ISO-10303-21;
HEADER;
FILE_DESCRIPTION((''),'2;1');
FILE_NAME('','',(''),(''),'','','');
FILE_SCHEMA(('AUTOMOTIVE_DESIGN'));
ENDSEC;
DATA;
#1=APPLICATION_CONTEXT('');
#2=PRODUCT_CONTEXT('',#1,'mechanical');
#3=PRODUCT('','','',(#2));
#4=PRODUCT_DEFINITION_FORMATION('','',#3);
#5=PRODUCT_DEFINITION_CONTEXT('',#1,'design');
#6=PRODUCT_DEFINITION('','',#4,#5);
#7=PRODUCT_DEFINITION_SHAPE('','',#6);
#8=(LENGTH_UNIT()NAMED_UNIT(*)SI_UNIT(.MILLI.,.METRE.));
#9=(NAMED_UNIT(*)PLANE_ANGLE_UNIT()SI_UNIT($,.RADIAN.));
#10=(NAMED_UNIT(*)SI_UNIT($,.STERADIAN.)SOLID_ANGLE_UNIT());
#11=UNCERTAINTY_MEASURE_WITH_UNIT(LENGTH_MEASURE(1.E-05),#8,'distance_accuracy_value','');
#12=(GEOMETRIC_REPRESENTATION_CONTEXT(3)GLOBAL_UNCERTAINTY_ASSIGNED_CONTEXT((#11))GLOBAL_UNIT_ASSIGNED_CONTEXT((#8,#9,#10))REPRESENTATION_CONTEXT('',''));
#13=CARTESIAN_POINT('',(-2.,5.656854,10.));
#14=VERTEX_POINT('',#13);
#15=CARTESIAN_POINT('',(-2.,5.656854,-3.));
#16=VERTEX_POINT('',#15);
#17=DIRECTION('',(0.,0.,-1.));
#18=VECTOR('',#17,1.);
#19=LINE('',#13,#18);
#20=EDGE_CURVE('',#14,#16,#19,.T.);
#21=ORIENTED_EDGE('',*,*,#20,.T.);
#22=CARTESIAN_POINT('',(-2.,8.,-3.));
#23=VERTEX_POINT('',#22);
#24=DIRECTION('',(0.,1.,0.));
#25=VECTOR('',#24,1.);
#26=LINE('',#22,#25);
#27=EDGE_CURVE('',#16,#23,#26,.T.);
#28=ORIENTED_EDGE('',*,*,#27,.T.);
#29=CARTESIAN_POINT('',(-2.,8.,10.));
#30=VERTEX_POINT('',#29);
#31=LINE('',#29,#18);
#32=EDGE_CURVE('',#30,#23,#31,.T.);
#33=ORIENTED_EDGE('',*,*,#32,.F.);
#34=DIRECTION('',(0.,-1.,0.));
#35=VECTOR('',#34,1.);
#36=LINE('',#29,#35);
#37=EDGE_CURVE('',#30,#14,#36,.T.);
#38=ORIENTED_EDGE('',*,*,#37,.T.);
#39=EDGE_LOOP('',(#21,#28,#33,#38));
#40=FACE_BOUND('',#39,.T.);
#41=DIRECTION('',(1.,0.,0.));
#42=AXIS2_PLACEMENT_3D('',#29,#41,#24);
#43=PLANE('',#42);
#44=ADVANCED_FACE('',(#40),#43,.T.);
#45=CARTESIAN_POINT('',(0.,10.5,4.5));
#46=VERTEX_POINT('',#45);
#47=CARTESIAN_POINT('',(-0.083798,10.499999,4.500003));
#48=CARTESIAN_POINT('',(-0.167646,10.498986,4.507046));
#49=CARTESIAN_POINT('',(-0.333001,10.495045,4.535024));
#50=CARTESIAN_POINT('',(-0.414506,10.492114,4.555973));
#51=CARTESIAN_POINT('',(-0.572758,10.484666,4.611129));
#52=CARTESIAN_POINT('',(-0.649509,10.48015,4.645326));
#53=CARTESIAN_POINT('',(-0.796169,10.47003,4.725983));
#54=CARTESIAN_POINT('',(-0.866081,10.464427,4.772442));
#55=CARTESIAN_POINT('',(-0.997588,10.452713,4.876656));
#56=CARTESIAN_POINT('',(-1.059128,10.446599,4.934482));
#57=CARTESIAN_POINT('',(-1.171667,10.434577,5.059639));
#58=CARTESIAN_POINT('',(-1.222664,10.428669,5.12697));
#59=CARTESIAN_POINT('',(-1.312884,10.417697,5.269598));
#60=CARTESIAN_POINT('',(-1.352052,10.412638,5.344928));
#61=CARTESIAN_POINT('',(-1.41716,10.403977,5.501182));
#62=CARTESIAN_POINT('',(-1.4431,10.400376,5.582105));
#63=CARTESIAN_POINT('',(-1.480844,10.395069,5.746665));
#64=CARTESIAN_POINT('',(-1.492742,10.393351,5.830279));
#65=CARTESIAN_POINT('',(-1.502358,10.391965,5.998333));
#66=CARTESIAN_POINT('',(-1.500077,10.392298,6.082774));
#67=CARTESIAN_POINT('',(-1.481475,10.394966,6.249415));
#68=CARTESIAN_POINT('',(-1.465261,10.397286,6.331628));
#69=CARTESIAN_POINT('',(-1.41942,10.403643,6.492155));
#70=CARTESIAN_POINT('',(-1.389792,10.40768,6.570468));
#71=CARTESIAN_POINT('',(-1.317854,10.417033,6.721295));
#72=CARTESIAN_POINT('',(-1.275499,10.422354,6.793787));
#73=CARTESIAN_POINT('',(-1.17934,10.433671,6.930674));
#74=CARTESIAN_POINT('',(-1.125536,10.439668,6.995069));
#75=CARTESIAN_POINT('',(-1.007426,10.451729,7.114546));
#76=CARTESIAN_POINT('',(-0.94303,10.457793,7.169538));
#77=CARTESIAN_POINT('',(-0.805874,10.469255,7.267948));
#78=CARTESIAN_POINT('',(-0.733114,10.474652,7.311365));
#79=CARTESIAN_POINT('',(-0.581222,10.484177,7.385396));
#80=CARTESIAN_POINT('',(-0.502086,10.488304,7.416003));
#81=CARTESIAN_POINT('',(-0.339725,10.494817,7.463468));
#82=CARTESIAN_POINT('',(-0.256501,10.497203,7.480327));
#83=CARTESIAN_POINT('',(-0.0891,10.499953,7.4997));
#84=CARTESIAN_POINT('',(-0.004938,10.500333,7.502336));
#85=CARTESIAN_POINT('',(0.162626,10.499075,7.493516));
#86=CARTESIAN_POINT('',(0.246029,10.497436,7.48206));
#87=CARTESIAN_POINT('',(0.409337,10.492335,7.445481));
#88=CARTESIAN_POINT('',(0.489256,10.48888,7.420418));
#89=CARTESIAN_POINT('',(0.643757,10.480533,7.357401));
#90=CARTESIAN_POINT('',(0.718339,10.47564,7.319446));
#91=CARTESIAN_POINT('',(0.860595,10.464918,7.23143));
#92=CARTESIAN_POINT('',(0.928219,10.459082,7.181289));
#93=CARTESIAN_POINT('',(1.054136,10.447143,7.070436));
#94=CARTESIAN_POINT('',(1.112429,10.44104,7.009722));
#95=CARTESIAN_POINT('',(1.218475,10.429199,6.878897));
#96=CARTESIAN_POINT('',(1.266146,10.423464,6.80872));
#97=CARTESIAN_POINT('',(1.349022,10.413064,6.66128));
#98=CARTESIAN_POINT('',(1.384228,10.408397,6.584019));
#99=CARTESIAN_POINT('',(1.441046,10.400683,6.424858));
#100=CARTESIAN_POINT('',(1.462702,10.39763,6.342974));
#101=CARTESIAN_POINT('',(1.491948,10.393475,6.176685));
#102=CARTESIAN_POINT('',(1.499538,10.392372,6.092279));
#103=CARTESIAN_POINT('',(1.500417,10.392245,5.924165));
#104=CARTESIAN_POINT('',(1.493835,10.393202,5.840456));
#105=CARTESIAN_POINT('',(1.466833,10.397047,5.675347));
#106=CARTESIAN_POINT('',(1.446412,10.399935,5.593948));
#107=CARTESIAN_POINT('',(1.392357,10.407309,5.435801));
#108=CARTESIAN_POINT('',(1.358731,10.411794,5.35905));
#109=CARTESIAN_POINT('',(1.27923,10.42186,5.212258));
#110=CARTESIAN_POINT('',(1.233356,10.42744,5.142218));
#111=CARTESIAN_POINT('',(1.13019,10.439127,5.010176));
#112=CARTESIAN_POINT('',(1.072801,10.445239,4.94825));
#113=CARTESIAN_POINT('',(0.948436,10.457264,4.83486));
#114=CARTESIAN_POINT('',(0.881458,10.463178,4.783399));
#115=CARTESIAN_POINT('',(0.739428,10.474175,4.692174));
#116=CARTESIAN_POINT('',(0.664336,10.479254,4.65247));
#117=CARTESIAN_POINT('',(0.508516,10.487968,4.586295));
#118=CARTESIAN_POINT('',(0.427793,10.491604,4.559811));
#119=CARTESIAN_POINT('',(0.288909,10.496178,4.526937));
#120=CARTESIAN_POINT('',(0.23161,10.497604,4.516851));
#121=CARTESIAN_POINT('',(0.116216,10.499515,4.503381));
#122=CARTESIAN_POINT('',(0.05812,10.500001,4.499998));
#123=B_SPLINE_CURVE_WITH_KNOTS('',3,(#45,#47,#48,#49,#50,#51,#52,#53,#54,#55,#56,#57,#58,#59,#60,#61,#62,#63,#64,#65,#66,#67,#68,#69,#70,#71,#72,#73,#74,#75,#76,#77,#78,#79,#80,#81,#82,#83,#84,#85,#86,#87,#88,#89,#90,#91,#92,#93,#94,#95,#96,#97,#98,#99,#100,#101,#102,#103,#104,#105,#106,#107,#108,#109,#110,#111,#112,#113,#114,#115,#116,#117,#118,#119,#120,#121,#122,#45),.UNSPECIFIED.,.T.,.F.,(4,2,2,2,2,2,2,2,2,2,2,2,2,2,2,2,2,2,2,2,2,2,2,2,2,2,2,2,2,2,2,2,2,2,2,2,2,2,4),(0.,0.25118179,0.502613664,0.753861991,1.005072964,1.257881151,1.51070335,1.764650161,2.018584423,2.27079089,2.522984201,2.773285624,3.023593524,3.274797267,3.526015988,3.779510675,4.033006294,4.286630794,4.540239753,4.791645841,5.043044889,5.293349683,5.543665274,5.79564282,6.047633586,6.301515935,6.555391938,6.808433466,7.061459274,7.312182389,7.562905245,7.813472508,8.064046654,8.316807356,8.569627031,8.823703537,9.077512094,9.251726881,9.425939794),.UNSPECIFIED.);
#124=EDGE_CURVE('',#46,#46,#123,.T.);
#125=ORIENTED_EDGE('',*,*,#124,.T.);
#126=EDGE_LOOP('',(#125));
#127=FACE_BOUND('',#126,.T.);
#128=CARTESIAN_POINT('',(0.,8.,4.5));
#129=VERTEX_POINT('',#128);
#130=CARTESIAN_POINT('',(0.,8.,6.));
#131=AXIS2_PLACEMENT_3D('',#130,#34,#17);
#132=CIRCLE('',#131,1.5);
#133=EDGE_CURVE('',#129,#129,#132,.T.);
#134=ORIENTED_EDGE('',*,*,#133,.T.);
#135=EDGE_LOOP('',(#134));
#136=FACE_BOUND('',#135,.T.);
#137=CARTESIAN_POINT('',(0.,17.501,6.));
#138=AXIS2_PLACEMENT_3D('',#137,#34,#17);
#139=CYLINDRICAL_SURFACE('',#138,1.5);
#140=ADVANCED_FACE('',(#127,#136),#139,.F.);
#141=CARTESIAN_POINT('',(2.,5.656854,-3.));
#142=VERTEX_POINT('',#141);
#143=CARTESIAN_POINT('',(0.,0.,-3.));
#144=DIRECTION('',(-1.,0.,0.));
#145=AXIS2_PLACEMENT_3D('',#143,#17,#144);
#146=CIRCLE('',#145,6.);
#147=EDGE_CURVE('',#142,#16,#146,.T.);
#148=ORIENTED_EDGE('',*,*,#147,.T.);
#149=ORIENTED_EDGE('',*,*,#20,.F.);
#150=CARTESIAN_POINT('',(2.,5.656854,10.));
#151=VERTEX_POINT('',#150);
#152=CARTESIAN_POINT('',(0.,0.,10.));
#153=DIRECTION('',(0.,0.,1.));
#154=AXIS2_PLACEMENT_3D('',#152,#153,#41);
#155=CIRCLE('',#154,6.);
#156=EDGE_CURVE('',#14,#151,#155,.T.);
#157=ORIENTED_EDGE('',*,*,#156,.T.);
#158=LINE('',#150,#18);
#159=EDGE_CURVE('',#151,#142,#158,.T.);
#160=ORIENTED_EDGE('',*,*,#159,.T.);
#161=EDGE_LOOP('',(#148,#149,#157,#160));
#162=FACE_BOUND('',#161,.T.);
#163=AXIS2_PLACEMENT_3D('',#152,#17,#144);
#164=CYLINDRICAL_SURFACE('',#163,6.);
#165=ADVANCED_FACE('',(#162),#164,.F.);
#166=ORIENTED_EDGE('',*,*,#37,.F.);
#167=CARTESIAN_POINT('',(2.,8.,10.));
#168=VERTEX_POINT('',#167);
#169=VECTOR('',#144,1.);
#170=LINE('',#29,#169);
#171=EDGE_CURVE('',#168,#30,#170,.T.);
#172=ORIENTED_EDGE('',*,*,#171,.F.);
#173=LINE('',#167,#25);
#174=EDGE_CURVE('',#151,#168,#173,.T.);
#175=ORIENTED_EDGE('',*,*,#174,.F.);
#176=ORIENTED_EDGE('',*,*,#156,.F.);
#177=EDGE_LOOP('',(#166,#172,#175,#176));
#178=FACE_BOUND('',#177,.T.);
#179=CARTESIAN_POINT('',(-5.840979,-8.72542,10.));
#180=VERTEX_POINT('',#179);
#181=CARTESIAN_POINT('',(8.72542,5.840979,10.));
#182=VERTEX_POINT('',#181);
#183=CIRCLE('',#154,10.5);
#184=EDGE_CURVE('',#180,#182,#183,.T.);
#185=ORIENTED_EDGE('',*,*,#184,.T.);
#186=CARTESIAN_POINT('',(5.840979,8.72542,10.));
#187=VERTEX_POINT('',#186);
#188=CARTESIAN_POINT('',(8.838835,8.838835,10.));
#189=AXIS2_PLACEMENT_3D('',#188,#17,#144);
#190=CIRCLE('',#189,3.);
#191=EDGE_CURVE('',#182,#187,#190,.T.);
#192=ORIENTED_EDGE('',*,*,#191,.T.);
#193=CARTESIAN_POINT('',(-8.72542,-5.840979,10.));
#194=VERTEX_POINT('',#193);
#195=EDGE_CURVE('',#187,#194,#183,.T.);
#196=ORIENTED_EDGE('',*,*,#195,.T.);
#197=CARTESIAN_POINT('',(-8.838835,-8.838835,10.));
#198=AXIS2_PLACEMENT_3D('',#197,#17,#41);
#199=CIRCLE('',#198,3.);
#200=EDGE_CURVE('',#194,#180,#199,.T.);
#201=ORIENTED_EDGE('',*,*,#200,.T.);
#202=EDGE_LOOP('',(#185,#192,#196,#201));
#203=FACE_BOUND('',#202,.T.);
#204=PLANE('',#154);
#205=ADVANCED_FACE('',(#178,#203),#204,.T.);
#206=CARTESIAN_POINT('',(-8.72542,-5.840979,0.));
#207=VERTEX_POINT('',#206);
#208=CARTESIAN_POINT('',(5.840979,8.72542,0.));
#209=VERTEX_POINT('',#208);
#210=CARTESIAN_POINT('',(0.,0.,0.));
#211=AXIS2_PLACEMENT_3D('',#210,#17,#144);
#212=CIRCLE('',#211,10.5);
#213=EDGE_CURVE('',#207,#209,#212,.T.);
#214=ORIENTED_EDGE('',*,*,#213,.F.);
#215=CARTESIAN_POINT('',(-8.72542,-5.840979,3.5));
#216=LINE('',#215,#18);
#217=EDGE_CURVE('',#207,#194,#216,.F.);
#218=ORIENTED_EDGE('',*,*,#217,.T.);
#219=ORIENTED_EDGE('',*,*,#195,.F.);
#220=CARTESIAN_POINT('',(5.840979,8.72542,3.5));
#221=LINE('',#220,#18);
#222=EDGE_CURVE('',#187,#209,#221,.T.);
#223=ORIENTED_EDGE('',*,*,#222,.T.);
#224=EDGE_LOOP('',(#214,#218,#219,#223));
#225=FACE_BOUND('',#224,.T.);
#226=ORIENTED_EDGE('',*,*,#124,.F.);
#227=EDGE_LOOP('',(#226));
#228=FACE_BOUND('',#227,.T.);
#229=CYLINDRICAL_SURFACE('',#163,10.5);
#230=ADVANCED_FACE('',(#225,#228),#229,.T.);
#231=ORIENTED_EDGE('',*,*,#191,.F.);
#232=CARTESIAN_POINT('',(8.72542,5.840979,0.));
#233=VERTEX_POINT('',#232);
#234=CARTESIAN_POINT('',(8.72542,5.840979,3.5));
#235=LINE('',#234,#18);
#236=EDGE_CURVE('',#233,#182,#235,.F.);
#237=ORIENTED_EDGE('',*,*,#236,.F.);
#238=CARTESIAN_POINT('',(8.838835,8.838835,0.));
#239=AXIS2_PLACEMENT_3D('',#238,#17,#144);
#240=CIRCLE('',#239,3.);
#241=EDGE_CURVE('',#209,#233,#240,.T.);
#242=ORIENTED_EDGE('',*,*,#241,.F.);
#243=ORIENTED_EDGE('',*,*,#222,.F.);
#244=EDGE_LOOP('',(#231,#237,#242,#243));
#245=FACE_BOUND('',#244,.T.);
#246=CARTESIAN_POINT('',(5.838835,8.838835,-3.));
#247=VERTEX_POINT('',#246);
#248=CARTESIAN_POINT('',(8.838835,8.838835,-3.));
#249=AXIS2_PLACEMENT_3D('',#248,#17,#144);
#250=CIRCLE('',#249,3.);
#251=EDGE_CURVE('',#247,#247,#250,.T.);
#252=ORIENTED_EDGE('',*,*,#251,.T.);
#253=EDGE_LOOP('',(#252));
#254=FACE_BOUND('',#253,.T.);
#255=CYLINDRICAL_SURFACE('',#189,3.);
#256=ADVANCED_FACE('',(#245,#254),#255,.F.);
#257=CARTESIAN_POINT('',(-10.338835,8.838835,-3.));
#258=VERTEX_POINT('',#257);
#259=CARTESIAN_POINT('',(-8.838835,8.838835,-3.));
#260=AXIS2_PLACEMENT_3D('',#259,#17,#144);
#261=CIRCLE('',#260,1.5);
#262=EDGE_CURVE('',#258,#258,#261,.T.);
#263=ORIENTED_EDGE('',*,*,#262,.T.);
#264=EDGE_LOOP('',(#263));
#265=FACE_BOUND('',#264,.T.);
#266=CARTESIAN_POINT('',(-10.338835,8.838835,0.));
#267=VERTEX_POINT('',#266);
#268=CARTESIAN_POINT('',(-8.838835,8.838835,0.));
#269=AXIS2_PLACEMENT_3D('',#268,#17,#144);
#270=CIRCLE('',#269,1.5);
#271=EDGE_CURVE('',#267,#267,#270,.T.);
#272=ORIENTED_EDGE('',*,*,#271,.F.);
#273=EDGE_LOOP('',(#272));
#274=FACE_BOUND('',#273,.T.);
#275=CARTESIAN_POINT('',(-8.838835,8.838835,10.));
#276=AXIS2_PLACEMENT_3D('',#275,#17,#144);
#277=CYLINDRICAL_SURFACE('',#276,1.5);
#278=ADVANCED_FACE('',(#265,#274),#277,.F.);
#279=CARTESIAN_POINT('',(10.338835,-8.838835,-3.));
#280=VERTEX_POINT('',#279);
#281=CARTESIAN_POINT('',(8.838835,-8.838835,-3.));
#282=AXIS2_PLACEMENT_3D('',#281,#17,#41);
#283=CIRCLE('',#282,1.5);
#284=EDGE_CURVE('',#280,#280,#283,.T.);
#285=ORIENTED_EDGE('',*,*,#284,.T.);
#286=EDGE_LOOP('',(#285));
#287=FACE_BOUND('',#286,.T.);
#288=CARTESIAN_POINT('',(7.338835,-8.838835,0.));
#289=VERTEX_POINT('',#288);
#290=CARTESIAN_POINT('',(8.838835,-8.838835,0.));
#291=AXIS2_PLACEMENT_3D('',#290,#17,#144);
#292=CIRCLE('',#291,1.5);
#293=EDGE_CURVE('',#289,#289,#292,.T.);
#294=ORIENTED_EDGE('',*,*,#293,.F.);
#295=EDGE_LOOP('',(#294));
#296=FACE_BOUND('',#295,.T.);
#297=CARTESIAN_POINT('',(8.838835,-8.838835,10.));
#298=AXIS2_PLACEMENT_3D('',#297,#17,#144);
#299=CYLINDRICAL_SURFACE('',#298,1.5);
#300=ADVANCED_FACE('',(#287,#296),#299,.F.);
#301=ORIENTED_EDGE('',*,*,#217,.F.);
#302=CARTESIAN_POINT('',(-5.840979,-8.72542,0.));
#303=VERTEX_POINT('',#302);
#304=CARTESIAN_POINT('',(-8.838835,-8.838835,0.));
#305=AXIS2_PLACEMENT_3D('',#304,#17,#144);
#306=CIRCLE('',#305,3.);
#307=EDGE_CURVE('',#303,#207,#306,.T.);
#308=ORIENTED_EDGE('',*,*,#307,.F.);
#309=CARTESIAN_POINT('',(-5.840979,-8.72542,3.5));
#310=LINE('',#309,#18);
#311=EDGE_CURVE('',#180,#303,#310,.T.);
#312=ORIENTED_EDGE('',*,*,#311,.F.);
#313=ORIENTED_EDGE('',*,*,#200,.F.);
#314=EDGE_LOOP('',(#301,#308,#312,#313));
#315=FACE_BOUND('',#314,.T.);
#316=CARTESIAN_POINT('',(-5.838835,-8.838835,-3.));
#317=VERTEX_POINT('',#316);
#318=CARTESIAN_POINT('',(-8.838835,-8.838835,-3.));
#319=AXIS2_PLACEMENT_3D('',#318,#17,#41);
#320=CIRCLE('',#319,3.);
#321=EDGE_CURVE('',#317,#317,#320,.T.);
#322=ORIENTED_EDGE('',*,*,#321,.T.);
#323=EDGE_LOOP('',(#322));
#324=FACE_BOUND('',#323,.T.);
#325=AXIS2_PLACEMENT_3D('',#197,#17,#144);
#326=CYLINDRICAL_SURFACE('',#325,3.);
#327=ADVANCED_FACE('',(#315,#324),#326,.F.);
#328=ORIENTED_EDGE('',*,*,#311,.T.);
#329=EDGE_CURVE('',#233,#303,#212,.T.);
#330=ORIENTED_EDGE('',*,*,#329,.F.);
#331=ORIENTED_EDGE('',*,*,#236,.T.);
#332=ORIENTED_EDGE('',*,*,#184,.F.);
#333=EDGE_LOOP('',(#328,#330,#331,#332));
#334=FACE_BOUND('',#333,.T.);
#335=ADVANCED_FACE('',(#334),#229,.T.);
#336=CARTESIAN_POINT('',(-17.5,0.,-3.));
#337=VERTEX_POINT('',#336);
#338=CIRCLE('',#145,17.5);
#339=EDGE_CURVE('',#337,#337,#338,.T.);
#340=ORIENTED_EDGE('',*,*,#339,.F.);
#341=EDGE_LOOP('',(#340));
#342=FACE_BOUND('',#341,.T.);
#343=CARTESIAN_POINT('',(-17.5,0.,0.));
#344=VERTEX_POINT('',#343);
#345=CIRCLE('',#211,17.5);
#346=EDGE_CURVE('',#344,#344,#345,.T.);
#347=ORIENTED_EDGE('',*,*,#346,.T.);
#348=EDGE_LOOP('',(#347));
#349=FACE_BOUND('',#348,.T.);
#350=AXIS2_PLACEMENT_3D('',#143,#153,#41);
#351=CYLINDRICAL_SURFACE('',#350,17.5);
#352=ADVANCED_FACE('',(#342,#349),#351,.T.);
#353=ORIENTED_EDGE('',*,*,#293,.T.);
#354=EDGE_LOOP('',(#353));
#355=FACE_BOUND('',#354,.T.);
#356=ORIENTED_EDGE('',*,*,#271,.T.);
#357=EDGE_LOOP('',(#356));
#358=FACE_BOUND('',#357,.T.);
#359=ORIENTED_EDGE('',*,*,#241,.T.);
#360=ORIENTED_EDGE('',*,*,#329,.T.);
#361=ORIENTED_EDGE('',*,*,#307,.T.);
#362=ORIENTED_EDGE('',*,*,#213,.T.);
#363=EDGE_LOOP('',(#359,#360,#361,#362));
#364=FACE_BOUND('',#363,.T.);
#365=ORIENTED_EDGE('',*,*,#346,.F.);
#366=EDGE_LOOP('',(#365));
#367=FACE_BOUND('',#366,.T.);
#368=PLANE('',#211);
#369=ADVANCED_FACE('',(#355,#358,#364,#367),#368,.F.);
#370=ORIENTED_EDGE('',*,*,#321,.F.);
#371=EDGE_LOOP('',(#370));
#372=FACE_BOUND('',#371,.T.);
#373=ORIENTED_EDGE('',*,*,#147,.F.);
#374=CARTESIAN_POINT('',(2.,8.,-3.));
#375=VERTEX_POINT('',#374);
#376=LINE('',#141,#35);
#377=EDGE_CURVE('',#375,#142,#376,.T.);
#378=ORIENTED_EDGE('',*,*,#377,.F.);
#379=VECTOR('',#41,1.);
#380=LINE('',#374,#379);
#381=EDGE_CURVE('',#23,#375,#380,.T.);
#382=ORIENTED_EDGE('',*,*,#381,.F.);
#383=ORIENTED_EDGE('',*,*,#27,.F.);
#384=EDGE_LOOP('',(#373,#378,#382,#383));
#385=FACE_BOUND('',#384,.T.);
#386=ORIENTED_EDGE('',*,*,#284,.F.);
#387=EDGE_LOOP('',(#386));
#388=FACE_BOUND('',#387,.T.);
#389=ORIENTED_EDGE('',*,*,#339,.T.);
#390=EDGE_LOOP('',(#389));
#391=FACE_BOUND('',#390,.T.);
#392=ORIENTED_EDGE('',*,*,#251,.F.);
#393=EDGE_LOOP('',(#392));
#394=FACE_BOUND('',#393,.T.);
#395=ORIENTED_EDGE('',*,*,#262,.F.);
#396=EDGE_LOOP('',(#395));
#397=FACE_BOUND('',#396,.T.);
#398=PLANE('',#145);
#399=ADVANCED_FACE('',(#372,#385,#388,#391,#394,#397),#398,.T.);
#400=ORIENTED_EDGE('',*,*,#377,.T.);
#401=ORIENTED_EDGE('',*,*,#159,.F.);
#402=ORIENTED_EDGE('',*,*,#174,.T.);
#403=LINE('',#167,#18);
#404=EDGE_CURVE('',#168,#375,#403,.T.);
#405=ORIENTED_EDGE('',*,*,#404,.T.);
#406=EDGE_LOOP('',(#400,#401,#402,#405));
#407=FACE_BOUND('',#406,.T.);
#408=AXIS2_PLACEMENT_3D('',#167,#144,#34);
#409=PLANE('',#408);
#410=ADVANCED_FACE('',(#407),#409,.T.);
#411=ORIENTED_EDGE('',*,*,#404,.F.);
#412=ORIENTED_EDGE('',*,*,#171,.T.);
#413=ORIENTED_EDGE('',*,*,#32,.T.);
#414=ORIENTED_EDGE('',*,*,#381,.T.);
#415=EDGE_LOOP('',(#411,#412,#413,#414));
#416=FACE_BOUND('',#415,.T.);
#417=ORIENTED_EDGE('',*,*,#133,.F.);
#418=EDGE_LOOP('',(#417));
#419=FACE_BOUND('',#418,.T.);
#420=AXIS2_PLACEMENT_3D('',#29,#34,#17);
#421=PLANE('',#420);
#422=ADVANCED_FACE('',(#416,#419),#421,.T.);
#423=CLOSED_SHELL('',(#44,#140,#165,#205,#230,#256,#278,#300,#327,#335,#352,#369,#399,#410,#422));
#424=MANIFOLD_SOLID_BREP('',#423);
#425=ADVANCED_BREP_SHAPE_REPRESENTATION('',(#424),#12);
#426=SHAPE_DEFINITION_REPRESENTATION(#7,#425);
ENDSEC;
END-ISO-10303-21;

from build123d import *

# Parameters (mm, degrees)
SKETCH_1_R               = 10.5
EXTRUDE_1_DEPTH          = 10
EXTRUDE_START            = 3
SKETCH_3_R               = 17.5
EXTRUDE_1_2_DEPTH        = 3
SKETCH_4_R               = 1.5
SKETCH_4_R_2             = 3
CUT_EXTRUDE_1_DEPTH      = 28.955321497
CUT_EXTRUDE_2_REACH      = 34.504
CUT_EXTRUDE_2_END_RADIUS = 10.5
SKETCH_5_R               = 1.5


with BuildPart() as part:
    # 草图1 → Extrude 1 (new body)
    with BuildSketch(Plane.XY):
        Circle(SKETCH_1_R)
        with BuildLine():
            Line((-2, 8), (2, 8))
            Line((2, 8), (2, 5.656854249))
            ThreePointArc((2, 5.656854249), (0, -6), (-2, 5.656854249))
            Line((-2, 5.656854249), (-2, 8))
        make_face(mode=Mode.SUBTRACT)
    extrude(amount=EXTRUDE_1_DEPTH)

    # 草图3 → Extrude 1 2 (add)
    with BuildSketch(Plane(origin=(0, 0, 0), x_dir=(-1, 0, 0), z_dir=(0, 0, -1)).offset(EXTRUDE_START)):
        Circle(SKETCH_3_R)
        with BuildLine():
            Line((2, 8), (2, 5.656854249))
            ThreePointArc((2, 5.656854249), (0, -6), (-2, 5.656854249))
            Line((-2, 5.656854249), (-2, 8))
            Line((-2, 8), (2, 8))
        make_face(mode=Mode.SUBTRACT)
    extrude(amount=-EXTRUDE_1_2_DEPTH)

    # 草图4 → 切除-拉伸1 (cut, through all)
    with BuildSketch(Plane(origin=(0, 0, -3), x_dir=(-1, 0, 0), z_dir=(0, 0, -1))):
        with Locations((8.838834765, 8.838834765)):
            Circle(SKETCH_4_R)
        with Locations((-8.838834765, 8.838834765)):
            Circle(SKETCH_4_R_2)
        with Locations(Location((8.838834765, -8.838834765, 0), (0, 0, 92.166571934))):
            Circle(SKETCH_4_R_2)
        with Locations((-8.838834765, -8.838834765)):
            Circle(SKETCH_4_R)
    extrude(amount=-CUT_EXTRUDE_1_DEPTH, mode=Mode.SUBTRACT)

    # 切除-拉伸2: up to this cylinder (the profile starts inside it)
    cut_extrude_2_end = Plane(origin=(0, 0, 6), z_dir=(0, 0, -1)) * Cylinder(CUT_EXTRUDE_2_END_RADIUS, 91.008, mode=Mode.PRIVATE)
    # 草图5 → 切除-拉伸2 (cut, up to the surface)
    with BuildSketch(Plane.XZ.offset(-8), mode=Mode.PRIVATE) as cut_extrude_2_sk1:
        with Locations(Location((0, 6, 0), (0, 0, 270))):
            Circle(SKETCH_5_R)
    cut_extrude_2_tool1 = extrude(cut_extrude_2_sk1.sketch, amount=-CUT_EXTRUDE_2_REACH, mode=Mode.PRIVATE) & cut_extrude_2_end
    add(cut_extrude_2_tool1.solids().sort_by_distance((0, 8, 6))[0], mode=Mode.SUBTRACT)


solid = part.part
